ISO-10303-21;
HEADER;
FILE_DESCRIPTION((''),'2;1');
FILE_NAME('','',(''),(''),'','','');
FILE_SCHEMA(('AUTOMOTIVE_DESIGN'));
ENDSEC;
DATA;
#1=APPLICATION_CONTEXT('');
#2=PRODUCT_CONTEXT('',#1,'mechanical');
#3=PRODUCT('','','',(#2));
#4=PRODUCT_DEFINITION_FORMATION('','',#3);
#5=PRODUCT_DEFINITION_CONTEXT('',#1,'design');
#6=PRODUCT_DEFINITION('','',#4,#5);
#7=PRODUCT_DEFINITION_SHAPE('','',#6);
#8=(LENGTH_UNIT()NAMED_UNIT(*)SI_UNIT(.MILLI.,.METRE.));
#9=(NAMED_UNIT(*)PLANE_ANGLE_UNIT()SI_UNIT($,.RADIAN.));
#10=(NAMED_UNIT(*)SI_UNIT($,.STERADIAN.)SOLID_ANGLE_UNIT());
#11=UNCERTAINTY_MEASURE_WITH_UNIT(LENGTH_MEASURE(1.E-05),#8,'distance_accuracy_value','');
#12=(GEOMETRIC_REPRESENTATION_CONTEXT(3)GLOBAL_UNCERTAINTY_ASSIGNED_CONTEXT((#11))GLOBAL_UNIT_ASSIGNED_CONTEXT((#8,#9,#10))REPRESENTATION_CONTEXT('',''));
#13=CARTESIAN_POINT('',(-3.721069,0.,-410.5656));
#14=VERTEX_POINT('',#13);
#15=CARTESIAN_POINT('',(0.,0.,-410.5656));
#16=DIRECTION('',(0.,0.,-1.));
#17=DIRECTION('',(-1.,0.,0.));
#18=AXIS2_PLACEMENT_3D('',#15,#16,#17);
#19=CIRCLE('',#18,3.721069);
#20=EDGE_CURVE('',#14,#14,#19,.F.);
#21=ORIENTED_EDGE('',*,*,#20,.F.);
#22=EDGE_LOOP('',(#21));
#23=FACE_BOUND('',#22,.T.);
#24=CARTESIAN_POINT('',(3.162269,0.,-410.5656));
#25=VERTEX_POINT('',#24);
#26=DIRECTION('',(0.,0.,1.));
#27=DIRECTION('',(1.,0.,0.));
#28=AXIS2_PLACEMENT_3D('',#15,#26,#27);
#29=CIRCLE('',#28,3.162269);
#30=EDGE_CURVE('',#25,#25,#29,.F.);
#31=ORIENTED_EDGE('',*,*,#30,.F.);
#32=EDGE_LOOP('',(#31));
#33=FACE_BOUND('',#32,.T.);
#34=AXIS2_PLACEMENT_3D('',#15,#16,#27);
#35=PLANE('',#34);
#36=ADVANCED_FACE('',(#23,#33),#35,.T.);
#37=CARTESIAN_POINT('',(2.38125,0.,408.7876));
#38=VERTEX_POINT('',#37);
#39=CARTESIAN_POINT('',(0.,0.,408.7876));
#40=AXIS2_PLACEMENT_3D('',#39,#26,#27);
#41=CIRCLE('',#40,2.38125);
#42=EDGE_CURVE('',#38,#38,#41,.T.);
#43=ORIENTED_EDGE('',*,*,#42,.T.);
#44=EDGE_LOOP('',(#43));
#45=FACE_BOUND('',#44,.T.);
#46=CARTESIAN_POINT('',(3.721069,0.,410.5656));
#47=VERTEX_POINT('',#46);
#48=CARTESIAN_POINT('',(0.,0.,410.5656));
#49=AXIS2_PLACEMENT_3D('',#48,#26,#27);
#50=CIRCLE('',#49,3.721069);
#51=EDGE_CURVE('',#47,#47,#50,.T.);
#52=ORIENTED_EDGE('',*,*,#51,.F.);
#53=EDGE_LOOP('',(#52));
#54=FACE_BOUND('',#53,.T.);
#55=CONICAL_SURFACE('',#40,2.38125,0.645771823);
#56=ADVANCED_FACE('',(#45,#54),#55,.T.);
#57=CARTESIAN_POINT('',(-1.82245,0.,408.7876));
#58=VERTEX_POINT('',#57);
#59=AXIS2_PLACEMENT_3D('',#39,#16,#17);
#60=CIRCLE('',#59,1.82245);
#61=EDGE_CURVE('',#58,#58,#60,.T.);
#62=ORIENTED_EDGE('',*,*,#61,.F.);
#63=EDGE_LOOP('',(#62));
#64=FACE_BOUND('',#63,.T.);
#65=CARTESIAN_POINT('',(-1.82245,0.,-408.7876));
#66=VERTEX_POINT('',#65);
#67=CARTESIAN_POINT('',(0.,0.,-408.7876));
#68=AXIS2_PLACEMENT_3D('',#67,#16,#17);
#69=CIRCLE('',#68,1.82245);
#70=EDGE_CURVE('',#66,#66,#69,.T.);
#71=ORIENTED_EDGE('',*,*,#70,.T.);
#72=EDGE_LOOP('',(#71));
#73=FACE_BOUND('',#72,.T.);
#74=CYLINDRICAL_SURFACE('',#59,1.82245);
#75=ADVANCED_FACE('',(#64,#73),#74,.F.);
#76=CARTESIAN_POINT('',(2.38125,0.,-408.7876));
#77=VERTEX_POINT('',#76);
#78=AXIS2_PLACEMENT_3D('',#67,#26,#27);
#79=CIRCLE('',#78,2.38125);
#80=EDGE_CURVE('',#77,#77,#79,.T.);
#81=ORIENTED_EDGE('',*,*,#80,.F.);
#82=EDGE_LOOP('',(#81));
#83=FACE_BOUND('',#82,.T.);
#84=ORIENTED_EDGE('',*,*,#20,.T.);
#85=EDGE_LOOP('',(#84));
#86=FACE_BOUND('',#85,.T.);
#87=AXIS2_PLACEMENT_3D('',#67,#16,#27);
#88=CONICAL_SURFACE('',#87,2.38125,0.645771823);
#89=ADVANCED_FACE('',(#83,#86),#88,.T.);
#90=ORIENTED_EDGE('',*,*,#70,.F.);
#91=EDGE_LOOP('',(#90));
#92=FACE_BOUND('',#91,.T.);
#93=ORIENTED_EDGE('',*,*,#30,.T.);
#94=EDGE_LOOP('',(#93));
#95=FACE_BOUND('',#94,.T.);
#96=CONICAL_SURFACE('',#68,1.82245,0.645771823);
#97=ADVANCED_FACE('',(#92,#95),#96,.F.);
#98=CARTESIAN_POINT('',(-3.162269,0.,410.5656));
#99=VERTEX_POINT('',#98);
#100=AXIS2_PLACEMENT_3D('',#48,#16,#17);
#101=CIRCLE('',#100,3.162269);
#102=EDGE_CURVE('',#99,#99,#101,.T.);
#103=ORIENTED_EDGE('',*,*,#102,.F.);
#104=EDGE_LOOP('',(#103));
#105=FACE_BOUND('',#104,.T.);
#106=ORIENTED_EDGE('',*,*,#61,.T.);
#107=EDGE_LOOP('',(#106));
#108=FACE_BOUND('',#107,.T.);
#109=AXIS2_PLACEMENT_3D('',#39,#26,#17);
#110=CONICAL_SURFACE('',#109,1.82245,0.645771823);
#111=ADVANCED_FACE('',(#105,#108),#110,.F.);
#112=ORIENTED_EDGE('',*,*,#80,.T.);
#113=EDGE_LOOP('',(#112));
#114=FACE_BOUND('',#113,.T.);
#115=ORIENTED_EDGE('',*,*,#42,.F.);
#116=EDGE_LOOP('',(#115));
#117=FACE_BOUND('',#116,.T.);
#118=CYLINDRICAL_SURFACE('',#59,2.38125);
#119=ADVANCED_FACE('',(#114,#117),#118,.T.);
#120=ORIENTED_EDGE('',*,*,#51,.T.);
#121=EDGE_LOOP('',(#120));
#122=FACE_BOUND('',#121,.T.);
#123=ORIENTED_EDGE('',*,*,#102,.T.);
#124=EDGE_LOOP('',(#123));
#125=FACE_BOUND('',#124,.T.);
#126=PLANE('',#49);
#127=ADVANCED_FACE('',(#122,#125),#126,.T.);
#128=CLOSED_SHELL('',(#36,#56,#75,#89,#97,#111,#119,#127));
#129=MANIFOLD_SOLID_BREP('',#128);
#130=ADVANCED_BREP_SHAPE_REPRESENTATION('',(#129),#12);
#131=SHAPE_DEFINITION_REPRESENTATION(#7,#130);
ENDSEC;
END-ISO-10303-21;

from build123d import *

# Parameters (mm, degrees)
SKETCH1_R           = 2.38125
SKETCH1_R_2         = 1.82245
BOSS_EXTRUDE1_DEPTH = 408.7876
SKETCH2_R           = 2.38125
BOSS_EXTRUDE2_DEPTH = 1.778
BOSS_EXTRUDE2_TAPER = -37
SKETCH3_R           = 1.82245
CUT_EXTRUDE1_DEPTH  = 2.7780001
CUT_EXTRUDE1_TAPER  = -37


with BuildPart() as part:
    # Sketch1 → Boss-Extrude1 (new body, symmetric)
    with BuildSketch(Plane.XY):
        Circle(SKETCH1_R)
        Circle(SKETCH1_R_2, mode=Mode.SUBTRACT)
    extrude(amount=BOSS_EXTRUDE1_DEPTH, both=True)

    # Sketch2 → Boss-Extrude2 (add)
    with BuildSketch(Plane.XY.offset(408.7876)):
        Circle(SKETCH2_R)
    boss_extrude2 = extrude(amount=BOSS_EXTRUDE2_DEPTH, taper=BOSS_EXTRUDE2_TAPER)

    # Sketch3 → Cut-Extrude1 (cut, through all)
    with BuildSketch(Plane(origin=(0, 0, 408.7876), x_dir=(-1, 0, 0), z_dir=(0, 0, -1))):
        Circle(SKETCH3_R)
    cut_extrude1 = extrude(amount=-CUT_EXTRUDE1_DEPTH, taper=CUT_EXTRUDE1_TAPER, mode=Mode.SUBTRACT)

    # Mirror1: Boss-Extrude2, Cut-Extrude1 across plane
    add(boss_extrude2.mirror(Plane.XY))
    add(cut_extrude1.mirror(Plane.XY), mode=Mode.SUBTRACT)


solid = part.part
